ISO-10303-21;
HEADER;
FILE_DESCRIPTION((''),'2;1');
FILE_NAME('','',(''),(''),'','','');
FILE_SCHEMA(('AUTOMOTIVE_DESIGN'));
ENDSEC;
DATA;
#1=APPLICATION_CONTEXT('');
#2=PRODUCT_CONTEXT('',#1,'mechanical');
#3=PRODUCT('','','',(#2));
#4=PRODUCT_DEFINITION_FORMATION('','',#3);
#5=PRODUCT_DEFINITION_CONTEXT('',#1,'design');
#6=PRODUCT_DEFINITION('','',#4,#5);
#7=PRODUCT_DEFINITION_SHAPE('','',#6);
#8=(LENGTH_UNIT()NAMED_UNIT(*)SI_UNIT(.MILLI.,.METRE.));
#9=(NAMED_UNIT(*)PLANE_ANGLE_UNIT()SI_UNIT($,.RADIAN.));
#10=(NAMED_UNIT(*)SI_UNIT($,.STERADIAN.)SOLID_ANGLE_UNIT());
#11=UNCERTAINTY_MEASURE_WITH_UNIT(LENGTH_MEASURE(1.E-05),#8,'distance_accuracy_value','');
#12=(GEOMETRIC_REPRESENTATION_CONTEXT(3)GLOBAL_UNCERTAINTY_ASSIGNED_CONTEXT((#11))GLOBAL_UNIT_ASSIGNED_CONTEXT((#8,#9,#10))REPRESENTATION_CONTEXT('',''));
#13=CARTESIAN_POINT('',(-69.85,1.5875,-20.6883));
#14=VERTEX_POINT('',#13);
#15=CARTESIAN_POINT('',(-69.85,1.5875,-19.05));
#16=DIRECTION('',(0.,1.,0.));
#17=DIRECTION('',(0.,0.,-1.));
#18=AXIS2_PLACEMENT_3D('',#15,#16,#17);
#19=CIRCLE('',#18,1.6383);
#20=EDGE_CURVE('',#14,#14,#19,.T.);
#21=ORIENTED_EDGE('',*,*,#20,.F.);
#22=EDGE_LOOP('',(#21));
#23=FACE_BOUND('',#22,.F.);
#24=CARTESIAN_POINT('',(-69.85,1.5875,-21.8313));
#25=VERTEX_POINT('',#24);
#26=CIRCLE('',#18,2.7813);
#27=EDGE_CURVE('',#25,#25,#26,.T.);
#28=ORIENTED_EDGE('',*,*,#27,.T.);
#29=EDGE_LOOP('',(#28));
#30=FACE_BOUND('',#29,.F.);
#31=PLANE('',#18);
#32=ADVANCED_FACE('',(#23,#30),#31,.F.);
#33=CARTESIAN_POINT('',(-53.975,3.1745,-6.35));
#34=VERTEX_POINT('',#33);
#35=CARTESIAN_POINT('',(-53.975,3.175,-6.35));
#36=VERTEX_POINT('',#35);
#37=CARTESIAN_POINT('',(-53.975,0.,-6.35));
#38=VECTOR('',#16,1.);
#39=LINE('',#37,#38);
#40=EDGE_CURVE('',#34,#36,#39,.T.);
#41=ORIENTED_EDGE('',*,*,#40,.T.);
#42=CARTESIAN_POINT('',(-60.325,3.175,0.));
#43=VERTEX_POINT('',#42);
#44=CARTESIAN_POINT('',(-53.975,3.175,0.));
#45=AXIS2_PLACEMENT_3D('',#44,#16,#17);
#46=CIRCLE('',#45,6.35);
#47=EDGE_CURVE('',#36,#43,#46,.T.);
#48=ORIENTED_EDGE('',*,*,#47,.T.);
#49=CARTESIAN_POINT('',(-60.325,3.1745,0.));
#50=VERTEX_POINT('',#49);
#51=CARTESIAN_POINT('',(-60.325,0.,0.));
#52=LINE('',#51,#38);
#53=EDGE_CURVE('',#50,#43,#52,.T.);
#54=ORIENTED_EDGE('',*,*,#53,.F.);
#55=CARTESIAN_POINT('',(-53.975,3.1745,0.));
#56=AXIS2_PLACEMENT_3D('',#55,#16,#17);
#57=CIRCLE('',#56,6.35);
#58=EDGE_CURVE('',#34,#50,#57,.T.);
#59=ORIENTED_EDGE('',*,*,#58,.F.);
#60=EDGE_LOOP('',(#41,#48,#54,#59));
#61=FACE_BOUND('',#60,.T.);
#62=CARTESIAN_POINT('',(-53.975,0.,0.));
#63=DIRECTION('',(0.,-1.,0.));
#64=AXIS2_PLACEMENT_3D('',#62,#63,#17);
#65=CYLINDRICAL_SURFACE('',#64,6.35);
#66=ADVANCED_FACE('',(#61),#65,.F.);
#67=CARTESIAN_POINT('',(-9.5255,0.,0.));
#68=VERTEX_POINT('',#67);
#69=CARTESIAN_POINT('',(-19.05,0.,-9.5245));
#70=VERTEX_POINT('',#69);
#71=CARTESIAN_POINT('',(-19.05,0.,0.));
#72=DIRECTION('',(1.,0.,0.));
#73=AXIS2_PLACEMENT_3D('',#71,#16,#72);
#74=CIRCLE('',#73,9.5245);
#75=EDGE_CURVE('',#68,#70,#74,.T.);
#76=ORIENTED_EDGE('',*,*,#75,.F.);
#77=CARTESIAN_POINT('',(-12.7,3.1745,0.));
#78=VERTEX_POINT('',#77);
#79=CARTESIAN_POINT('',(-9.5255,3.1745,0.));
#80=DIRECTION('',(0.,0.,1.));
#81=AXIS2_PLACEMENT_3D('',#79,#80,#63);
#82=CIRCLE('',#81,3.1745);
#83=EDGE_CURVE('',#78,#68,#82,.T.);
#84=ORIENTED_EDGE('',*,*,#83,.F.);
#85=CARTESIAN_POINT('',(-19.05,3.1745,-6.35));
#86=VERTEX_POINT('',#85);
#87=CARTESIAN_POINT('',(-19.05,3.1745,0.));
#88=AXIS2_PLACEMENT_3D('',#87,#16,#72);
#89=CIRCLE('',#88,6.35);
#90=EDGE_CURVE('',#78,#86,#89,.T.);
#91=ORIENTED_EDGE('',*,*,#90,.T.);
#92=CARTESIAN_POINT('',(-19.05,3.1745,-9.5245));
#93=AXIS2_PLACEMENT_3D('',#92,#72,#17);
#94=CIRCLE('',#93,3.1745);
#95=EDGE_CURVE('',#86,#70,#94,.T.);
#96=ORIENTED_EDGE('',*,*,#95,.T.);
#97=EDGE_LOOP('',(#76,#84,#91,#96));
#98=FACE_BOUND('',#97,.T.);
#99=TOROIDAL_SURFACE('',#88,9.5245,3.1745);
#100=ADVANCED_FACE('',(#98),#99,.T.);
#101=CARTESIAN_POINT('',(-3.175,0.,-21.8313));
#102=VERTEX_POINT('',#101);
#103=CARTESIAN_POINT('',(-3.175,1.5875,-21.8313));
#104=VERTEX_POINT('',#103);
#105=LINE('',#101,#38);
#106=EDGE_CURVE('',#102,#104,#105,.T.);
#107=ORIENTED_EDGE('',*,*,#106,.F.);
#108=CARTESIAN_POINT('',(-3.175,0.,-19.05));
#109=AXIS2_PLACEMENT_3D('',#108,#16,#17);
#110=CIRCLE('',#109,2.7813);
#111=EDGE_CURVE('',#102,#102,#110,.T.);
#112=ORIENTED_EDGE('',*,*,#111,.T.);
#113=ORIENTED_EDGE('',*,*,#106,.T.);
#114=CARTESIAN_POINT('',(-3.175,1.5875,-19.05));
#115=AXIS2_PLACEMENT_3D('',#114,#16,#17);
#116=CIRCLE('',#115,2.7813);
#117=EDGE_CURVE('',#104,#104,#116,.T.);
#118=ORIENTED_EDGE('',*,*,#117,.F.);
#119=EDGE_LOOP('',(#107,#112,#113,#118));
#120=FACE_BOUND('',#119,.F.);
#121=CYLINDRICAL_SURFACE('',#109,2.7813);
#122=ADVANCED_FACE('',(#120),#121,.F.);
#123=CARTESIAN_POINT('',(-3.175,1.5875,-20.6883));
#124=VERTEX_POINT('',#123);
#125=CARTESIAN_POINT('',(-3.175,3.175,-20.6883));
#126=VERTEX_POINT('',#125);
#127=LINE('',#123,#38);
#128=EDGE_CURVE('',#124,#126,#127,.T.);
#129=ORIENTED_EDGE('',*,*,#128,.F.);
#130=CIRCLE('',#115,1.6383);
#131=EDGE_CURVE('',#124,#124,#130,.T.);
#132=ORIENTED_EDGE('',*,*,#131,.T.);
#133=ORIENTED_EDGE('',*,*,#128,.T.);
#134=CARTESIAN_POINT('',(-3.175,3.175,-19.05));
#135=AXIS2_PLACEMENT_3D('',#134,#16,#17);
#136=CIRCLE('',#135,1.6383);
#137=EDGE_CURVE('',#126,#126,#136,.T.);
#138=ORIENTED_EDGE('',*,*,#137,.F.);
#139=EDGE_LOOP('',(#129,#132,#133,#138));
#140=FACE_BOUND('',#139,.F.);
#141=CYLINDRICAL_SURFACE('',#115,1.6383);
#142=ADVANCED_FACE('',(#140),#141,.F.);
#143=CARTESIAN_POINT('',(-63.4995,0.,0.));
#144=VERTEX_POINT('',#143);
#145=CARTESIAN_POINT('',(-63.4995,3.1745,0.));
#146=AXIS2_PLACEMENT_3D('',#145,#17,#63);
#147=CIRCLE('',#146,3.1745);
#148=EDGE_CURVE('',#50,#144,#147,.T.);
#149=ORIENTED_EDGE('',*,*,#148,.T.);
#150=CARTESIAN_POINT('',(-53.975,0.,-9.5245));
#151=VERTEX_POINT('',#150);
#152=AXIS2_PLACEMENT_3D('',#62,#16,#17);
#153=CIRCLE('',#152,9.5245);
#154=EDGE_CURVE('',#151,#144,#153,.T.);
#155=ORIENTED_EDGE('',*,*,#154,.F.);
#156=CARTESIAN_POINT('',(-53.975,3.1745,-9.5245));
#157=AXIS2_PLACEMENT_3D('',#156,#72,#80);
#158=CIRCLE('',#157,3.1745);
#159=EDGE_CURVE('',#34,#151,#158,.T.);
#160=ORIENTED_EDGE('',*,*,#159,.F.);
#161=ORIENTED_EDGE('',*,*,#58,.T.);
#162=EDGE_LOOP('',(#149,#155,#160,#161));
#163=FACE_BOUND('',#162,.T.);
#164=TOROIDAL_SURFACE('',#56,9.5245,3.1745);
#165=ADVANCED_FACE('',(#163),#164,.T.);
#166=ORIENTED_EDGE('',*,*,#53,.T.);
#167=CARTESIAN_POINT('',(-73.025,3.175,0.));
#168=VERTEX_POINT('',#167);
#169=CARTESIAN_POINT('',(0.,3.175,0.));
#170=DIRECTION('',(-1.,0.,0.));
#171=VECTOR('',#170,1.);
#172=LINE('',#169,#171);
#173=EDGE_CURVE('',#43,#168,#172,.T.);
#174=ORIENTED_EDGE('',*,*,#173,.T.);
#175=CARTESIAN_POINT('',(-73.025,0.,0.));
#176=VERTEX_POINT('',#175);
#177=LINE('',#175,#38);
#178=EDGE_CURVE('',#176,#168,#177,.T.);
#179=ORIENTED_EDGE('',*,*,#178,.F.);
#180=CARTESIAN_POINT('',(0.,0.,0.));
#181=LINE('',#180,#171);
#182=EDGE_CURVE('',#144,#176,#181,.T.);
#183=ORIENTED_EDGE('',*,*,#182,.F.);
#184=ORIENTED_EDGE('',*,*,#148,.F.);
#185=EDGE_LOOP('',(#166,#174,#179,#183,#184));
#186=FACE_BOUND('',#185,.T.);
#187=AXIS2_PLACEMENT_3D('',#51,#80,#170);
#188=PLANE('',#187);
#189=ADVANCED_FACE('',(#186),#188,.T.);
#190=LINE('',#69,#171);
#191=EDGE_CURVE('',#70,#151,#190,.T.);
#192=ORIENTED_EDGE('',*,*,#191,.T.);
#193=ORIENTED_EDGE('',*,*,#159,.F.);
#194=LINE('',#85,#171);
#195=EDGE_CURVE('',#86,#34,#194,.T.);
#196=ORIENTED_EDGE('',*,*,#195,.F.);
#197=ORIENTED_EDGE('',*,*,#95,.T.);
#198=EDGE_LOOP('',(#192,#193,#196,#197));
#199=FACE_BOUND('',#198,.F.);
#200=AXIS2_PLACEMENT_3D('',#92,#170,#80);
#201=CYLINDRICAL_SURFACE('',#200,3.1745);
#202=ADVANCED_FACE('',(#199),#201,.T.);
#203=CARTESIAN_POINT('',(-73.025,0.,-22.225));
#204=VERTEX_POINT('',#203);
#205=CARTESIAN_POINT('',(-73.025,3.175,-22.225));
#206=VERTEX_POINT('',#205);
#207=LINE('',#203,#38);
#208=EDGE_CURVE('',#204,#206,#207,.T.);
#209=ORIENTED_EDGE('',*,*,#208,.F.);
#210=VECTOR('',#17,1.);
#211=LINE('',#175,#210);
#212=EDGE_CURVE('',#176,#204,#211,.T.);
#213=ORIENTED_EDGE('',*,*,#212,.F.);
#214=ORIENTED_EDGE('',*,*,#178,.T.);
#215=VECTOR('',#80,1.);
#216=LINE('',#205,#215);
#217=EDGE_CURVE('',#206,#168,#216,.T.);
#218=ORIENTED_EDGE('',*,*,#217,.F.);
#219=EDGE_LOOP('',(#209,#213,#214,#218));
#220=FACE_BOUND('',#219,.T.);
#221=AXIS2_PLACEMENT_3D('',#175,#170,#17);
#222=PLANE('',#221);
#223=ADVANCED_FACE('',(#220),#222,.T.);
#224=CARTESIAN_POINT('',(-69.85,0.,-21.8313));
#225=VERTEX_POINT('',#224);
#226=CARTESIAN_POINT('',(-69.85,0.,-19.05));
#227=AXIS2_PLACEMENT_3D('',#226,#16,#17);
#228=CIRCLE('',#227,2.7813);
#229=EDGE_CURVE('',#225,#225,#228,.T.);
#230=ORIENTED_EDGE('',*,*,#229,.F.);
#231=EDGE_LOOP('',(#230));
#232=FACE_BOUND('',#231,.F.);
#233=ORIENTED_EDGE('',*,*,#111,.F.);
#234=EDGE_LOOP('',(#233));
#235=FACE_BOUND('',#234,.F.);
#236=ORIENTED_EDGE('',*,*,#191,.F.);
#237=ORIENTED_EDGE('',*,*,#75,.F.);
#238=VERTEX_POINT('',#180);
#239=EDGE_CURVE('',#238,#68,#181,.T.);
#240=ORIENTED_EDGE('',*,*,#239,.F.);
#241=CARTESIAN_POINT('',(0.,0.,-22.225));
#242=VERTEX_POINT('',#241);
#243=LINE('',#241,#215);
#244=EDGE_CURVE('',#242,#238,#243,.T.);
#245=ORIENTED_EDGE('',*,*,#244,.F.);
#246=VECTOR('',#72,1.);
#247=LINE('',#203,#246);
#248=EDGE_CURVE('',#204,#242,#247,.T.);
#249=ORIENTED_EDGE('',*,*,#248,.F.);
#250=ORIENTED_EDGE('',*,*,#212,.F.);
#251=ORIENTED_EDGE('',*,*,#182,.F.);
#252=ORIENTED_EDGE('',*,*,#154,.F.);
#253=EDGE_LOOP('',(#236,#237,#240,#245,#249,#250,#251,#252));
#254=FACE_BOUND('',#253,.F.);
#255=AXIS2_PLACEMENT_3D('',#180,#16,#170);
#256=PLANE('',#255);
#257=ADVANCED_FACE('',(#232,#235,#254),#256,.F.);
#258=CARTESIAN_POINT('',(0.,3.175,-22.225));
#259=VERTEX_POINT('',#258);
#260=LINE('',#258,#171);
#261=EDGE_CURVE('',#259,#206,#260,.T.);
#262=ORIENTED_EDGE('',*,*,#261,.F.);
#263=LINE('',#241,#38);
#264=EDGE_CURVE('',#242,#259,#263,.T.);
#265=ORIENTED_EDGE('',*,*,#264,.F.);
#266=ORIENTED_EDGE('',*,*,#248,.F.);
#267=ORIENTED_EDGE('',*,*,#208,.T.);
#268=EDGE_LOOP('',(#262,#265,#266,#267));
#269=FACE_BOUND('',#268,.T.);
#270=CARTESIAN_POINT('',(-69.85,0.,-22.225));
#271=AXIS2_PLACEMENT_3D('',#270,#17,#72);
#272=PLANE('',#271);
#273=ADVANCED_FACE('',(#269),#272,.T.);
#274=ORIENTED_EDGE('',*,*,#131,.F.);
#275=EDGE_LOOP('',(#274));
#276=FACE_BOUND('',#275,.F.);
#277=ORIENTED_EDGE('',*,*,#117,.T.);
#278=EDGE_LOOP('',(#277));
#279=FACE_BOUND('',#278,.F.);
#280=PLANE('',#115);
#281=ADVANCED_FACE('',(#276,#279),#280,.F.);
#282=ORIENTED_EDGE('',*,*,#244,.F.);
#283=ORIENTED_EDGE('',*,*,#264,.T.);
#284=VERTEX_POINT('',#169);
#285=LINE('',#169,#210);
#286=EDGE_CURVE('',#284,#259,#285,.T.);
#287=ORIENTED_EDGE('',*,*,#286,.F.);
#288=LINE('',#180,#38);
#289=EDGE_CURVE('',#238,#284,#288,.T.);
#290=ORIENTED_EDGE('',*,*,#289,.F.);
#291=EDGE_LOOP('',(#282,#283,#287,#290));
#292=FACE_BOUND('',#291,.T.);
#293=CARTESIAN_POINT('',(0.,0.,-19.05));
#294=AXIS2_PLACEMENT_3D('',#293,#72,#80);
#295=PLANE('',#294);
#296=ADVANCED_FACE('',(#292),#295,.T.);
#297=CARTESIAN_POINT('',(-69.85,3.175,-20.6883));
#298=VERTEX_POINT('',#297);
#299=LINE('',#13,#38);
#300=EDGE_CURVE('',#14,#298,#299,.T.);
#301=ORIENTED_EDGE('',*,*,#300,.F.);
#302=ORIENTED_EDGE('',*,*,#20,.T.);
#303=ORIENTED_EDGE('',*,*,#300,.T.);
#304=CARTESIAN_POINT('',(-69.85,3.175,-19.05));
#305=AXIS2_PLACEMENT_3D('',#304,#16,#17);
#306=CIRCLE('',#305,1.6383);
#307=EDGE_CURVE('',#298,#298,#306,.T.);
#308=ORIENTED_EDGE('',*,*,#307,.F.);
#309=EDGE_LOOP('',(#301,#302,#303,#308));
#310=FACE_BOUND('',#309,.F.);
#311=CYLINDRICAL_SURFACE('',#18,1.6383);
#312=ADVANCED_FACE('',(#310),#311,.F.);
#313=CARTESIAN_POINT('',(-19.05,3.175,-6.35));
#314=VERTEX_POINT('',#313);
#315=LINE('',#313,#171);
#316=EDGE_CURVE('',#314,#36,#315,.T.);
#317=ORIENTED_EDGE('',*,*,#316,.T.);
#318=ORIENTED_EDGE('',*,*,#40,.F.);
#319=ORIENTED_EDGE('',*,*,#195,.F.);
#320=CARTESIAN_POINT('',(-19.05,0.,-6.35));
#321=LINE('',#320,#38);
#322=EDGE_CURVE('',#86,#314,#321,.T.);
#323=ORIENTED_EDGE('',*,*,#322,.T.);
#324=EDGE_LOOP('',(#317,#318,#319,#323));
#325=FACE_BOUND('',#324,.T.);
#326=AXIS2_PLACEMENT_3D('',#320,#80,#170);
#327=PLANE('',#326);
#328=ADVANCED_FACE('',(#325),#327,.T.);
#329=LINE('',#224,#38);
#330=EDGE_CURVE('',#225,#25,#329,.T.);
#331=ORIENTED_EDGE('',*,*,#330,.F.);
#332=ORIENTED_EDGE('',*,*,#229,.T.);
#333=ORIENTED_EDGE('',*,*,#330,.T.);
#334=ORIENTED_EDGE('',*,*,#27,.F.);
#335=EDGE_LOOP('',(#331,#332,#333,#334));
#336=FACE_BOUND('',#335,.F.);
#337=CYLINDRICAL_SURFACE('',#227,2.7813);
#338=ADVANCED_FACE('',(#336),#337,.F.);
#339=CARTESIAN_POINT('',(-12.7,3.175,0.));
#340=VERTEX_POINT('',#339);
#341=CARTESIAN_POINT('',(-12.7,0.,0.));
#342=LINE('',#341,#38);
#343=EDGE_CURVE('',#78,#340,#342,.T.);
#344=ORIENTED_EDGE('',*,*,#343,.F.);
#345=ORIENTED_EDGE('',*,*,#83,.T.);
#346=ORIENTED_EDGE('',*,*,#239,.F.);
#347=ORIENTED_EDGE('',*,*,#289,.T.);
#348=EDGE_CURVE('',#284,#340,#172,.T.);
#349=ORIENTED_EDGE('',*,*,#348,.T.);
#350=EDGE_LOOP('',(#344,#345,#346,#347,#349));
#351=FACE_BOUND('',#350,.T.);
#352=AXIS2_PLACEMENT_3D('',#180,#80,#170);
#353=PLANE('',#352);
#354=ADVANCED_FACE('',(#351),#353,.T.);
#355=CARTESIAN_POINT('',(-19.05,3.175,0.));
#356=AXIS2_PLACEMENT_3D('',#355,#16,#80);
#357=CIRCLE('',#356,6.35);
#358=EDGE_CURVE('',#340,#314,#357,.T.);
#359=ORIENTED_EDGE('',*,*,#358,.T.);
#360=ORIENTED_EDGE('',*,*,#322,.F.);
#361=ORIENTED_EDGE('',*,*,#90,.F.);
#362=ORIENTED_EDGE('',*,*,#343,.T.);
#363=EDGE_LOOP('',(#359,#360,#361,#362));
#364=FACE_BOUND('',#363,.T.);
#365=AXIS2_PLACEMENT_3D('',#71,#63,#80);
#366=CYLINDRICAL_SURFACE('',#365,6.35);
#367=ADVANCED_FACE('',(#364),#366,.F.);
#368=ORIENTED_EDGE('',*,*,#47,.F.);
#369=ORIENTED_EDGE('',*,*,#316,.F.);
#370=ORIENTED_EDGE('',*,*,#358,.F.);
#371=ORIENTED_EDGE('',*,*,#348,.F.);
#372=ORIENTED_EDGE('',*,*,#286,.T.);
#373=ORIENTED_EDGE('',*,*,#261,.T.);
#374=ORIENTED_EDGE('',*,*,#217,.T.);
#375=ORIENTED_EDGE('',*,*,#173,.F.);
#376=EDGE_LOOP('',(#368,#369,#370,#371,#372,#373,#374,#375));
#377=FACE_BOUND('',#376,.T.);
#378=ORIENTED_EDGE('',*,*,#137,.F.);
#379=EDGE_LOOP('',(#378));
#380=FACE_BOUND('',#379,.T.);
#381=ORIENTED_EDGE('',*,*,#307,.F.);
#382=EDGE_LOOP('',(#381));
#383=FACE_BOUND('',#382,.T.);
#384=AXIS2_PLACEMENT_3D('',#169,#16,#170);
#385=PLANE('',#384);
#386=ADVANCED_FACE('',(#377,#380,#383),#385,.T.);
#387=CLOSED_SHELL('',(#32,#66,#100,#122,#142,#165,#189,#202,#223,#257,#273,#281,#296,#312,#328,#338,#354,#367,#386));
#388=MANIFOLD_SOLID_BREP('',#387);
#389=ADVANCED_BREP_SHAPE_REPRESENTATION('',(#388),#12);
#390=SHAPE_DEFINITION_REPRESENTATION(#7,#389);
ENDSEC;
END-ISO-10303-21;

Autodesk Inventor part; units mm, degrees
ref_plane "YZ Plane" through (0, 0, 0) normal (1, 0, 0) x (0, 1, 0)
ref_plane "XZ Plane" through (0, 0, 0) normal (0, 1, 0) x (-1, 0, 0)
ref_plane "XY Plane" through (0, 0, 0) normal (0, 0, 1) x (1, 0, 0)
sketch "Sketch1" plane through (0, 0, 0) normal (0, 1, 0) x (-1, 0, 0)
  line L0 (0, 0) -> (73.025, 0)
  line L1 (73.025, 0) -> (73.025, -22.225)
  line L2 (73.025, -22.225) -> (0, -22.225)
  line L3 (0, -22.225) -> (0, 0)
  line L4 (73.025, 0) -> (53.975, 0)
  line L5 (0, 0) -> (19.05, 0)
  line L6 (53.975, 0) -> (19.05, 0) construction
  line L7 (53.975, 6.35) -> (19.05, 6.35)
  line L8 (19.05, -6.35) -> (53.975, -6.35)
  arc A0 (53.975, -6.35) -> (53.975, 6.35) centre (53.975, 0) ccw
  arc A1 (19.05, 6.35) -> (19.05, -6.35) centre (19.05, 0) ccw
  line L9 (73.025, -22.225) -> (69.85, -22.225)
  line L10 (69.85, -22.225) -> (69.85, -19.05)
  line L11 (69.85, -19.05) -> (73.025, -19.05)
  line L12 (73.025, -19.05) -> (73.025, -22.225)
  line L13 (0, -22.225) -> (3.175, -22.225)
  line L14 (3.175, -22.225) -> (3.175, -19.05)
  line L15 (3.175, -19.05) -> (0, -19.05)
  line L16 (0, -19.05) -> (0, -22.225)
  point P0 (36.5125, 0)
  point P1 (60.325, 0)
  point P2 (12.7, 0)
  dimension "d0" = 73.025
  dimension "d1" = 22.225
  dimension "d2" = 19.05
  dimension "d3" = 19.05
  dimension "d4" = 12.7
  dimension "d7" = 3.175
  dimension "d8" = 3.175
  dimension "d9" = 3.175
  dimension "d10" = 3.175
extrude "Extrusion1" add sketch "Sketch1" along normal blind 3.175 contours A1 L8 A0 L0 L1 L11 L10 L2 L14 L15 L3 | L15 L14 L2 L3 | L1 L2 L10 L11
hole "Hole1" at (-69.85, 0, -19.05) at (-3.175, 0, -19.05) direction (0, 1, 0) diameter 3.2766 end through all counterbore diameter 5.5626 counterbore depth 1.5875 clearance for "Socket Head Cap Screw" size "#4" standard "Ansi Unified Screw Threads"
fillet "Fillet2" radius 3.175 3 edges at (-14.5599, 0, -4.4901) (-58.4651, 0, -4.4901) (-36.5125, 0, -6.35)
properties part number "Compute Module Top Cover for RoadBot Rail-r1"
